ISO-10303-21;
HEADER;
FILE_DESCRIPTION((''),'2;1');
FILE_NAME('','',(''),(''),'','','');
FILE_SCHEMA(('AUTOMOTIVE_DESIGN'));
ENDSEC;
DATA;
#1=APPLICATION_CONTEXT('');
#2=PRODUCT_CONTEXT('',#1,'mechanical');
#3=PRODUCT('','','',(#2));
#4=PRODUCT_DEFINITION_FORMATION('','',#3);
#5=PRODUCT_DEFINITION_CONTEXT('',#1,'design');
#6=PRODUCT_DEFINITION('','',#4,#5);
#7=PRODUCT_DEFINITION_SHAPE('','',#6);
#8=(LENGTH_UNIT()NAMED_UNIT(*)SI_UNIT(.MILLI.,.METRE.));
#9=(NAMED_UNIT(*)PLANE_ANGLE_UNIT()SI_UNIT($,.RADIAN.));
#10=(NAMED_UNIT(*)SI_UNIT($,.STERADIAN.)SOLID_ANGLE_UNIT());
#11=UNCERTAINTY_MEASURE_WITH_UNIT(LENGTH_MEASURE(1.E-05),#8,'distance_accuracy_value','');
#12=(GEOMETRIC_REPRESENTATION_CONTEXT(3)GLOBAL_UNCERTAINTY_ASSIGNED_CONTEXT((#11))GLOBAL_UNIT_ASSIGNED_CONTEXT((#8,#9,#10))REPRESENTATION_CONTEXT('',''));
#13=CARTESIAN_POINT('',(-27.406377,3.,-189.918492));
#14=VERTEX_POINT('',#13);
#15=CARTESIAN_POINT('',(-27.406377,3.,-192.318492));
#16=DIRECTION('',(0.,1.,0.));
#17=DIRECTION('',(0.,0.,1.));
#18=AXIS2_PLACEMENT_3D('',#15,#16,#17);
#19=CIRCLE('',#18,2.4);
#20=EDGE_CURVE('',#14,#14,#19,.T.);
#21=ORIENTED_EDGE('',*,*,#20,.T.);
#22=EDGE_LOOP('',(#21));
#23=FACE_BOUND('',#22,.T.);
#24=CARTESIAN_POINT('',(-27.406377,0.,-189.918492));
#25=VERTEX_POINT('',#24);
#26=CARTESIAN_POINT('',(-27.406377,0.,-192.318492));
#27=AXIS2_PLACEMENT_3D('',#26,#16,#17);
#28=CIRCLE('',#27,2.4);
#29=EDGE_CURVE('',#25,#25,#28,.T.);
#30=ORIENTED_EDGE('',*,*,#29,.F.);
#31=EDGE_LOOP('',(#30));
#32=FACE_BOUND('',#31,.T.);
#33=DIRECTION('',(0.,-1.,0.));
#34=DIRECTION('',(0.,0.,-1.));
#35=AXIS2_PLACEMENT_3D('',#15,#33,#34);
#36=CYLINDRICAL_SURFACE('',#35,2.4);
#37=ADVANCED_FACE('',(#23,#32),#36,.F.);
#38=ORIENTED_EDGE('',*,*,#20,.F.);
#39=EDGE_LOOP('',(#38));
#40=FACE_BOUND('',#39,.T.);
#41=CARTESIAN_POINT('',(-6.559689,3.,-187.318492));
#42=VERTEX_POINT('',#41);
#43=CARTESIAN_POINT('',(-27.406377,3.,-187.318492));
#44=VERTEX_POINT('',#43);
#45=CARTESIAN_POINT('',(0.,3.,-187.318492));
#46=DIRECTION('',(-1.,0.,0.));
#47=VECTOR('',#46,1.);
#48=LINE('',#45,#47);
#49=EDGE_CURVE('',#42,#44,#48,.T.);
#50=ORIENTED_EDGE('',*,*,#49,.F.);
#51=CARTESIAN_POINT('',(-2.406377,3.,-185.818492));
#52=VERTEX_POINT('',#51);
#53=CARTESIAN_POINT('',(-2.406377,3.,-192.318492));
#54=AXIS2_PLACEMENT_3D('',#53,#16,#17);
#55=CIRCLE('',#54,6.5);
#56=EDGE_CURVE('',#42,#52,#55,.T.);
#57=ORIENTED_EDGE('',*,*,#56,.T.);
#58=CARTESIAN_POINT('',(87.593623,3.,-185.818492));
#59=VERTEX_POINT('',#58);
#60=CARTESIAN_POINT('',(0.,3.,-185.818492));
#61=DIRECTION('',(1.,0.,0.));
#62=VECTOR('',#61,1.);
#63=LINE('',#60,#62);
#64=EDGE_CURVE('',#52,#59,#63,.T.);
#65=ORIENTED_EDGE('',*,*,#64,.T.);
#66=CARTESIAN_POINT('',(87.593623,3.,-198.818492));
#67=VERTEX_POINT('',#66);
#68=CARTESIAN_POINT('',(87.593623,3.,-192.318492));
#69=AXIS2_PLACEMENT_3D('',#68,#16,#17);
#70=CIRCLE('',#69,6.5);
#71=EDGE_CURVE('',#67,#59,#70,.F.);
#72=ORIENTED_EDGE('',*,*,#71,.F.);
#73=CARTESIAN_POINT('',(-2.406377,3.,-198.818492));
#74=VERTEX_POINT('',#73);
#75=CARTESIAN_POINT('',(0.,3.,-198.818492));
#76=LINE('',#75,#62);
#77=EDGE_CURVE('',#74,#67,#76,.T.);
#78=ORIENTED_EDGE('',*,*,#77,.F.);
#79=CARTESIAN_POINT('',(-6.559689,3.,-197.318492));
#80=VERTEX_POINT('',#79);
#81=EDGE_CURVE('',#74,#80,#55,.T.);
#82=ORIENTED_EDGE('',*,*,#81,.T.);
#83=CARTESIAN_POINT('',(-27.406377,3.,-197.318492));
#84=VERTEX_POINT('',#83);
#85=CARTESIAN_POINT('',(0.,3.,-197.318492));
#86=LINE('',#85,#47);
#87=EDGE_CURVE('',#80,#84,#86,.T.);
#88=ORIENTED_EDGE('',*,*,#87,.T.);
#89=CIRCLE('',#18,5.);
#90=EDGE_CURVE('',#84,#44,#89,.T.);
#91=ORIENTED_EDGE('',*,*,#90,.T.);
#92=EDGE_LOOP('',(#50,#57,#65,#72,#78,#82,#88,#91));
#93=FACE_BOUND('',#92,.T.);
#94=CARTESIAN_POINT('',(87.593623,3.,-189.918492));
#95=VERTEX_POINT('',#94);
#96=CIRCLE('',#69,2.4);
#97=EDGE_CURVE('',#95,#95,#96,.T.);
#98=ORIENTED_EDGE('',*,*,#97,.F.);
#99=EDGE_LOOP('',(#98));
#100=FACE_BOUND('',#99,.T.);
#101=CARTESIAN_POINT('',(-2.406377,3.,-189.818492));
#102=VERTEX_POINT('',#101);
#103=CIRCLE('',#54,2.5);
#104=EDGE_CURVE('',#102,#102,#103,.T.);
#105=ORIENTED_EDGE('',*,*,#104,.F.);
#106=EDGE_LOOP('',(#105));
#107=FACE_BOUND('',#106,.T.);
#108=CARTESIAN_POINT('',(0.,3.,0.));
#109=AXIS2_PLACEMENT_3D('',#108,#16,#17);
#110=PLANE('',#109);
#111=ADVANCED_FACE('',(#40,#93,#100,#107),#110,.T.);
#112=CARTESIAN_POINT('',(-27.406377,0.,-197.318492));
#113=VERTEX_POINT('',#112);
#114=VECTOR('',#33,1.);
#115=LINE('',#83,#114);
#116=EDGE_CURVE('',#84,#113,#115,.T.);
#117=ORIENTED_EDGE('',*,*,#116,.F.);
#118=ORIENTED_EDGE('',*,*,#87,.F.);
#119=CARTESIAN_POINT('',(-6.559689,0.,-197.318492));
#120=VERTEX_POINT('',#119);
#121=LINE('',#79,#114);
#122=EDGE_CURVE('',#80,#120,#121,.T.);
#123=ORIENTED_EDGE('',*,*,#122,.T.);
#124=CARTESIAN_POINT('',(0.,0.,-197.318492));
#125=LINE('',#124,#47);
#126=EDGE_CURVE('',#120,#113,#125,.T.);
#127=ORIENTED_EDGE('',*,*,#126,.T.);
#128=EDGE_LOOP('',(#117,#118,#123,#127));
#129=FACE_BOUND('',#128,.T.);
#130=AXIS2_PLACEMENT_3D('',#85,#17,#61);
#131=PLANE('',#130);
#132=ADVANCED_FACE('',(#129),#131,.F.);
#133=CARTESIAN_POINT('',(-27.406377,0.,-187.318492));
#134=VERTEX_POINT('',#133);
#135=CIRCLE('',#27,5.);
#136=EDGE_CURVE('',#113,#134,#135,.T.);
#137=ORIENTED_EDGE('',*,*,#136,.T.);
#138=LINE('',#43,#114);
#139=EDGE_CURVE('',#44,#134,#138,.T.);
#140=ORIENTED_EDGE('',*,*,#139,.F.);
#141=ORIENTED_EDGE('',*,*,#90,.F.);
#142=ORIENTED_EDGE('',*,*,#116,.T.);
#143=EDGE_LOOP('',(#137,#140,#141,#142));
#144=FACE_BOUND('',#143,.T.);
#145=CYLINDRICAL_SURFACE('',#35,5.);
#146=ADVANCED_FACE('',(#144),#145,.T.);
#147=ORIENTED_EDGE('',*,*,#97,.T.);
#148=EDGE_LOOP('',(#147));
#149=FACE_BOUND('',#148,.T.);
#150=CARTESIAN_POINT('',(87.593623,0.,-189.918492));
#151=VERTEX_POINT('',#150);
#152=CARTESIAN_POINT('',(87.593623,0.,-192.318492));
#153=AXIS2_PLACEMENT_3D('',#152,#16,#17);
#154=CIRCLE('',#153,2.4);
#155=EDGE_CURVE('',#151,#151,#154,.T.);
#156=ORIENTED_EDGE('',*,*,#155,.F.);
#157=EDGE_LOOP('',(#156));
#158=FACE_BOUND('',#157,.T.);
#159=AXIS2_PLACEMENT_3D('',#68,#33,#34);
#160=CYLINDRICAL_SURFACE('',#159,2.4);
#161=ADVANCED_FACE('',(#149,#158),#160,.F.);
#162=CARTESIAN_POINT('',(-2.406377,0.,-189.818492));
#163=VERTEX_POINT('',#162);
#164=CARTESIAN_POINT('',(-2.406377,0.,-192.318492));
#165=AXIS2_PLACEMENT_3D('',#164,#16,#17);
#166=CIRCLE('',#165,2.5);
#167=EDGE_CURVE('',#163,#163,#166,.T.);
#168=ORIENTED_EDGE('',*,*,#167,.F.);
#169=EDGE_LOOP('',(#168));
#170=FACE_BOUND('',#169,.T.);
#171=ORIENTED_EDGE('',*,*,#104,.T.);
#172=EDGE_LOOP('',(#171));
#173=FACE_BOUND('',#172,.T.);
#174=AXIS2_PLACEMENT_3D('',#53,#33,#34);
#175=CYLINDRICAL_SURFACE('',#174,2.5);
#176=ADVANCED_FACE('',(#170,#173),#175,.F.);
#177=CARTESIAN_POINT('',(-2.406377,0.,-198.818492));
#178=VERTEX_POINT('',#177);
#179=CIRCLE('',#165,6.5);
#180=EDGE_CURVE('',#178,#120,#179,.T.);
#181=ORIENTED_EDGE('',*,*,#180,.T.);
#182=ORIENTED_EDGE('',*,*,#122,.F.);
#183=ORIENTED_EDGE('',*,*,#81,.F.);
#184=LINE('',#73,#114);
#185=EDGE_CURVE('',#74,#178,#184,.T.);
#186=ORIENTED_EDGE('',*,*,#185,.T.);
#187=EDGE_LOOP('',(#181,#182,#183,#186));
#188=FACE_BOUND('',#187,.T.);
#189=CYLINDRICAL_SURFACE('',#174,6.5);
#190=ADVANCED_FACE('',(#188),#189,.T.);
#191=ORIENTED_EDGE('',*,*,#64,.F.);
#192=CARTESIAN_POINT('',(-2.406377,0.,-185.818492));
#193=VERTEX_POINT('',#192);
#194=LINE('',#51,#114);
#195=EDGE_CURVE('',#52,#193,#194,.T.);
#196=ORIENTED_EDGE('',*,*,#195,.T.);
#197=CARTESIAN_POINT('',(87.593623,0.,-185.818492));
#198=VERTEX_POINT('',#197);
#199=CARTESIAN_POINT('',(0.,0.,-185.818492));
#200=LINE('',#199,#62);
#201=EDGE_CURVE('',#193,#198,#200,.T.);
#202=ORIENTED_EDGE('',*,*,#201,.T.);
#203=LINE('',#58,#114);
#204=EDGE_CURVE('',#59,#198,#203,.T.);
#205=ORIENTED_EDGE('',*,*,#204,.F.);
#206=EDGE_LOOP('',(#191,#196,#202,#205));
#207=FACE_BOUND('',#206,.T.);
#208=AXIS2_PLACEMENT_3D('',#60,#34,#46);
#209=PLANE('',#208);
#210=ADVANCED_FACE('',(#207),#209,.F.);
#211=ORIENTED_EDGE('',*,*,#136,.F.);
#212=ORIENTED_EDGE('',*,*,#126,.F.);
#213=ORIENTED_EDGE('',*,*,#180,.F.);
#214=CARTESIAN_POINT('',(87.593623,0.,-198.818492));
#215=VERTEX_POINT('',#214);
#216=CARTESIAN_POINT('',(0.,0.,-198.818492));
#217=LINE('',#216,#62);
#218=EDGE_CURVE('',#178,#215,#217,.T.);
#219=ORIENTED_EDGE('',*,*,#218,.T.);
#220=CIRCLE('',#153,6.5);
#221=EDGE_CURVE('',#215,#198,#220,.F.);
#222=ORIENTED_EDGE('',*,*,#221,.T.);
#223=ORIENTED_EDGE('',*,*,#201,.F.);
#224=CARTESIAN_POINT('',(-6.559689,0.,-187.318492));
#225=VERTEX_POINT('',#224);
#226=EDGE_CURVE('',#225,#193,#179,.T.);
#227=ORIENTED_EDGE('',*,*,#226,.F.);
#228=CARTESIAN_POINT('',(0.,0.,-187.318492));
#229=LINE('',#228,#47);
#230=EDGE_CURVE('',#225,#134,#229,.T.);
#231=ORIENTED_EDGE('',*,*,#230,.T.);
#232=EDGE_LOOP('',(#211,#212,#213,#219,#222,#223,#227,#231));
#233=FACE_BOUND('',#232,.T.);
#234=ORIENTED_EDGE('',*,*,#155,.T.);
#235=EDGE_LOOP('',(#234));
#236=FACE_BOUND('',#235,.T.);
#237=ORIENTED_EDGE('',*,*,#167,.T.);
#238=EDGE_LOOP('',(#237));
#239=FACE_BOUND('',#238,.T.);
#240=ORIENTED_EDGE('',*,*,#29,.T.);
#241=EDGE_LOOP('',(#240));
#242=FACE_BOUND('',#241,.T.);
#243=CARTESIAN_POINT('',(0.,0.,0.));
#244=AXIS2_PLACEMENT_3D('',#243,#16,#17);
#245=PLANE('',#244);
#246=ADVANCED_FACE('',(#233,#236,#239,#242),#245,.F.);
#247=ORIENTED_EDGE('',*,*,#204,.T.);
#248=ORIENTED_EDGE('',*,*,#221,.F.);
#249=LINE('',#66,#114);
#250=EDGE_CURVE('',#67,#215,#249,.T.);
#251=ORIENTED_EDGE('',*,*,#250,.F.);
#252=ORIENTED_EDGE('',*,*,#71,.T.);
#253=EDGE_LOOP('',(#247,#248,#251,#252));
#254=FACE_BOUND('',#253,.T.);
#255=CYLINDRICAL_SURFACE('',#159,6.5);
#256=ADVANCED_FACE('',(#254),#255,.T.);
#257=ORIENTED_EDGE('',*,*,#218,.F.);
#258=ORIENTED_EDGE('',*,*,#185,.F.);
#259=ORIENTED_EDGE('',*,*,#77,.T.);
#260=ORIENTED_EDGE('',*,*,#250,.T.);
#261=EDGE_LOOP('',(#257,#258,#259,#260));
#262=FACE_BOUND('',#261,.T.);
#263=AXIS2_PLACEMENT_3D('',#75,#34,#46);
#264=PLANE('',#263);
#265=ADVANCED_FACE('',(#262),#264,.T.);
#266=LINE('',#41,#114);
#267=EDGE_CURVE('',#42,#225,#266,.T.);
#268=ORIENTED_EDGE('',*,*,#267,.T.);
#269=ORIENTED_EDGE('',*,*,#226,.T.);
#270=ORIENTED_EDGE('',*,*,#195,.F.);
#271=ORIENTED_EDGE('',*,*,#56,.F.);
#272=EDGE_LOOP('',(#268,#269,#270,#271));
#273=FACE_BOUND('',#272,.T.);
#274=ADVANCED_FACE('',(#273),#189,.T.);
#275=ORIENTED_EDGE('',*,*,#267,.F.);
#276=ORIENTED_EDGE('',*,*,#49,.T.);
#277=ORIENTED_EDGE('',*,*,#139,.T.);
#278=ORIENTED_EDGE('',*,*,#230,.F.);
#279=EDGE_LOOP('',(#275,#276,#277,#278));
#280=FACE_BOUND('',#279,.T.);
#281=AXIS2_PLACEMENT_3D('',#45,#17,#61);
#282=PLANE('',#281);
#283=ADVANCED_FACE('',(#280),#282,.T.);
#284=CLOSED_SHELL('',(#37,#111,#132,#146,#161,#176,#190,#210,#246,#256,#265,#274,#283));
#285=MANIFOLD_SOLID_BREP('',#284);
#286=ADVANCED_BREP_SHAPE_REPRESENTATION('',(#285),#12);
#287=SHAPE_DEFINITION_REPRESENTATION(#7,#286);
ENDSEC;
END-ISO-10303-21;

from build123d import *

# Parameters (mm, degrees)
SKETCH2_R           = 2.5
SKETCH2_R_2         = 2.4
BOSS_EXTRUDE1_DEPTH = 3


with BuildPart() as part:
    # Sketch2 → Boss-Extrude1 (new body)
    with BuildSketch(Plane(origin=(0, 0, 0), x_dir=(1, 0, 0), z_dir=(0, 1, 0))):
        with BuildLine():
            Line((87.593623105, 198.818492307), (-2.406376895, 198.818492307))
            ThreePointArc((-2.406376895, 198.818492307), (-4.614317112, 198.432001937), (-6.559688827, 197.318492307))
            Line((-6.559688827, 197.318492307), (-27.406376895, 197.318492307))
            ThreePointArc((-27.406376895, 197.318492307), (-32.406376895, 192.318492307), (-27.406376895, 187.318492307))
            Line((-27.406376895, 187.318492307), (-6.559688827, 187.318492307))
            ThreePointArc((-6.559688827, 187.318492307), (-4.614317112, 186.204982677), (-2.406376895, 185.818492307))
            Line((-2.406376895, 185.818492307), (87.593623105, 185.818492307))
            ThreePointArc((87.593623105, 185.818492307), (94.093623105, 192.318492307), (87.593623105, 198.818492307))
        make_face()
        with Locations(Location((-2.406376895, 192.318492307, 0), (0, 0, 270))):
            Circle(SKETCH2_R, mode=Mode.SUBTRACT)
        with Locations(Location((87.593623105, 192.318492307, 0), (0, 0, 270))):
            Circle(SKETCH2_R_2, mode=Mode.SUBTRACT)
        with Locations(Location((-27.406376895, 192.318492307, 0), (0, 0, 270))):
            Circle(SKETCH2_R_2, mode=Mode.SUBTRACT)
    extrude(amount=BOSS_EXTRUDE1_DEPTH)


solid = part.part
